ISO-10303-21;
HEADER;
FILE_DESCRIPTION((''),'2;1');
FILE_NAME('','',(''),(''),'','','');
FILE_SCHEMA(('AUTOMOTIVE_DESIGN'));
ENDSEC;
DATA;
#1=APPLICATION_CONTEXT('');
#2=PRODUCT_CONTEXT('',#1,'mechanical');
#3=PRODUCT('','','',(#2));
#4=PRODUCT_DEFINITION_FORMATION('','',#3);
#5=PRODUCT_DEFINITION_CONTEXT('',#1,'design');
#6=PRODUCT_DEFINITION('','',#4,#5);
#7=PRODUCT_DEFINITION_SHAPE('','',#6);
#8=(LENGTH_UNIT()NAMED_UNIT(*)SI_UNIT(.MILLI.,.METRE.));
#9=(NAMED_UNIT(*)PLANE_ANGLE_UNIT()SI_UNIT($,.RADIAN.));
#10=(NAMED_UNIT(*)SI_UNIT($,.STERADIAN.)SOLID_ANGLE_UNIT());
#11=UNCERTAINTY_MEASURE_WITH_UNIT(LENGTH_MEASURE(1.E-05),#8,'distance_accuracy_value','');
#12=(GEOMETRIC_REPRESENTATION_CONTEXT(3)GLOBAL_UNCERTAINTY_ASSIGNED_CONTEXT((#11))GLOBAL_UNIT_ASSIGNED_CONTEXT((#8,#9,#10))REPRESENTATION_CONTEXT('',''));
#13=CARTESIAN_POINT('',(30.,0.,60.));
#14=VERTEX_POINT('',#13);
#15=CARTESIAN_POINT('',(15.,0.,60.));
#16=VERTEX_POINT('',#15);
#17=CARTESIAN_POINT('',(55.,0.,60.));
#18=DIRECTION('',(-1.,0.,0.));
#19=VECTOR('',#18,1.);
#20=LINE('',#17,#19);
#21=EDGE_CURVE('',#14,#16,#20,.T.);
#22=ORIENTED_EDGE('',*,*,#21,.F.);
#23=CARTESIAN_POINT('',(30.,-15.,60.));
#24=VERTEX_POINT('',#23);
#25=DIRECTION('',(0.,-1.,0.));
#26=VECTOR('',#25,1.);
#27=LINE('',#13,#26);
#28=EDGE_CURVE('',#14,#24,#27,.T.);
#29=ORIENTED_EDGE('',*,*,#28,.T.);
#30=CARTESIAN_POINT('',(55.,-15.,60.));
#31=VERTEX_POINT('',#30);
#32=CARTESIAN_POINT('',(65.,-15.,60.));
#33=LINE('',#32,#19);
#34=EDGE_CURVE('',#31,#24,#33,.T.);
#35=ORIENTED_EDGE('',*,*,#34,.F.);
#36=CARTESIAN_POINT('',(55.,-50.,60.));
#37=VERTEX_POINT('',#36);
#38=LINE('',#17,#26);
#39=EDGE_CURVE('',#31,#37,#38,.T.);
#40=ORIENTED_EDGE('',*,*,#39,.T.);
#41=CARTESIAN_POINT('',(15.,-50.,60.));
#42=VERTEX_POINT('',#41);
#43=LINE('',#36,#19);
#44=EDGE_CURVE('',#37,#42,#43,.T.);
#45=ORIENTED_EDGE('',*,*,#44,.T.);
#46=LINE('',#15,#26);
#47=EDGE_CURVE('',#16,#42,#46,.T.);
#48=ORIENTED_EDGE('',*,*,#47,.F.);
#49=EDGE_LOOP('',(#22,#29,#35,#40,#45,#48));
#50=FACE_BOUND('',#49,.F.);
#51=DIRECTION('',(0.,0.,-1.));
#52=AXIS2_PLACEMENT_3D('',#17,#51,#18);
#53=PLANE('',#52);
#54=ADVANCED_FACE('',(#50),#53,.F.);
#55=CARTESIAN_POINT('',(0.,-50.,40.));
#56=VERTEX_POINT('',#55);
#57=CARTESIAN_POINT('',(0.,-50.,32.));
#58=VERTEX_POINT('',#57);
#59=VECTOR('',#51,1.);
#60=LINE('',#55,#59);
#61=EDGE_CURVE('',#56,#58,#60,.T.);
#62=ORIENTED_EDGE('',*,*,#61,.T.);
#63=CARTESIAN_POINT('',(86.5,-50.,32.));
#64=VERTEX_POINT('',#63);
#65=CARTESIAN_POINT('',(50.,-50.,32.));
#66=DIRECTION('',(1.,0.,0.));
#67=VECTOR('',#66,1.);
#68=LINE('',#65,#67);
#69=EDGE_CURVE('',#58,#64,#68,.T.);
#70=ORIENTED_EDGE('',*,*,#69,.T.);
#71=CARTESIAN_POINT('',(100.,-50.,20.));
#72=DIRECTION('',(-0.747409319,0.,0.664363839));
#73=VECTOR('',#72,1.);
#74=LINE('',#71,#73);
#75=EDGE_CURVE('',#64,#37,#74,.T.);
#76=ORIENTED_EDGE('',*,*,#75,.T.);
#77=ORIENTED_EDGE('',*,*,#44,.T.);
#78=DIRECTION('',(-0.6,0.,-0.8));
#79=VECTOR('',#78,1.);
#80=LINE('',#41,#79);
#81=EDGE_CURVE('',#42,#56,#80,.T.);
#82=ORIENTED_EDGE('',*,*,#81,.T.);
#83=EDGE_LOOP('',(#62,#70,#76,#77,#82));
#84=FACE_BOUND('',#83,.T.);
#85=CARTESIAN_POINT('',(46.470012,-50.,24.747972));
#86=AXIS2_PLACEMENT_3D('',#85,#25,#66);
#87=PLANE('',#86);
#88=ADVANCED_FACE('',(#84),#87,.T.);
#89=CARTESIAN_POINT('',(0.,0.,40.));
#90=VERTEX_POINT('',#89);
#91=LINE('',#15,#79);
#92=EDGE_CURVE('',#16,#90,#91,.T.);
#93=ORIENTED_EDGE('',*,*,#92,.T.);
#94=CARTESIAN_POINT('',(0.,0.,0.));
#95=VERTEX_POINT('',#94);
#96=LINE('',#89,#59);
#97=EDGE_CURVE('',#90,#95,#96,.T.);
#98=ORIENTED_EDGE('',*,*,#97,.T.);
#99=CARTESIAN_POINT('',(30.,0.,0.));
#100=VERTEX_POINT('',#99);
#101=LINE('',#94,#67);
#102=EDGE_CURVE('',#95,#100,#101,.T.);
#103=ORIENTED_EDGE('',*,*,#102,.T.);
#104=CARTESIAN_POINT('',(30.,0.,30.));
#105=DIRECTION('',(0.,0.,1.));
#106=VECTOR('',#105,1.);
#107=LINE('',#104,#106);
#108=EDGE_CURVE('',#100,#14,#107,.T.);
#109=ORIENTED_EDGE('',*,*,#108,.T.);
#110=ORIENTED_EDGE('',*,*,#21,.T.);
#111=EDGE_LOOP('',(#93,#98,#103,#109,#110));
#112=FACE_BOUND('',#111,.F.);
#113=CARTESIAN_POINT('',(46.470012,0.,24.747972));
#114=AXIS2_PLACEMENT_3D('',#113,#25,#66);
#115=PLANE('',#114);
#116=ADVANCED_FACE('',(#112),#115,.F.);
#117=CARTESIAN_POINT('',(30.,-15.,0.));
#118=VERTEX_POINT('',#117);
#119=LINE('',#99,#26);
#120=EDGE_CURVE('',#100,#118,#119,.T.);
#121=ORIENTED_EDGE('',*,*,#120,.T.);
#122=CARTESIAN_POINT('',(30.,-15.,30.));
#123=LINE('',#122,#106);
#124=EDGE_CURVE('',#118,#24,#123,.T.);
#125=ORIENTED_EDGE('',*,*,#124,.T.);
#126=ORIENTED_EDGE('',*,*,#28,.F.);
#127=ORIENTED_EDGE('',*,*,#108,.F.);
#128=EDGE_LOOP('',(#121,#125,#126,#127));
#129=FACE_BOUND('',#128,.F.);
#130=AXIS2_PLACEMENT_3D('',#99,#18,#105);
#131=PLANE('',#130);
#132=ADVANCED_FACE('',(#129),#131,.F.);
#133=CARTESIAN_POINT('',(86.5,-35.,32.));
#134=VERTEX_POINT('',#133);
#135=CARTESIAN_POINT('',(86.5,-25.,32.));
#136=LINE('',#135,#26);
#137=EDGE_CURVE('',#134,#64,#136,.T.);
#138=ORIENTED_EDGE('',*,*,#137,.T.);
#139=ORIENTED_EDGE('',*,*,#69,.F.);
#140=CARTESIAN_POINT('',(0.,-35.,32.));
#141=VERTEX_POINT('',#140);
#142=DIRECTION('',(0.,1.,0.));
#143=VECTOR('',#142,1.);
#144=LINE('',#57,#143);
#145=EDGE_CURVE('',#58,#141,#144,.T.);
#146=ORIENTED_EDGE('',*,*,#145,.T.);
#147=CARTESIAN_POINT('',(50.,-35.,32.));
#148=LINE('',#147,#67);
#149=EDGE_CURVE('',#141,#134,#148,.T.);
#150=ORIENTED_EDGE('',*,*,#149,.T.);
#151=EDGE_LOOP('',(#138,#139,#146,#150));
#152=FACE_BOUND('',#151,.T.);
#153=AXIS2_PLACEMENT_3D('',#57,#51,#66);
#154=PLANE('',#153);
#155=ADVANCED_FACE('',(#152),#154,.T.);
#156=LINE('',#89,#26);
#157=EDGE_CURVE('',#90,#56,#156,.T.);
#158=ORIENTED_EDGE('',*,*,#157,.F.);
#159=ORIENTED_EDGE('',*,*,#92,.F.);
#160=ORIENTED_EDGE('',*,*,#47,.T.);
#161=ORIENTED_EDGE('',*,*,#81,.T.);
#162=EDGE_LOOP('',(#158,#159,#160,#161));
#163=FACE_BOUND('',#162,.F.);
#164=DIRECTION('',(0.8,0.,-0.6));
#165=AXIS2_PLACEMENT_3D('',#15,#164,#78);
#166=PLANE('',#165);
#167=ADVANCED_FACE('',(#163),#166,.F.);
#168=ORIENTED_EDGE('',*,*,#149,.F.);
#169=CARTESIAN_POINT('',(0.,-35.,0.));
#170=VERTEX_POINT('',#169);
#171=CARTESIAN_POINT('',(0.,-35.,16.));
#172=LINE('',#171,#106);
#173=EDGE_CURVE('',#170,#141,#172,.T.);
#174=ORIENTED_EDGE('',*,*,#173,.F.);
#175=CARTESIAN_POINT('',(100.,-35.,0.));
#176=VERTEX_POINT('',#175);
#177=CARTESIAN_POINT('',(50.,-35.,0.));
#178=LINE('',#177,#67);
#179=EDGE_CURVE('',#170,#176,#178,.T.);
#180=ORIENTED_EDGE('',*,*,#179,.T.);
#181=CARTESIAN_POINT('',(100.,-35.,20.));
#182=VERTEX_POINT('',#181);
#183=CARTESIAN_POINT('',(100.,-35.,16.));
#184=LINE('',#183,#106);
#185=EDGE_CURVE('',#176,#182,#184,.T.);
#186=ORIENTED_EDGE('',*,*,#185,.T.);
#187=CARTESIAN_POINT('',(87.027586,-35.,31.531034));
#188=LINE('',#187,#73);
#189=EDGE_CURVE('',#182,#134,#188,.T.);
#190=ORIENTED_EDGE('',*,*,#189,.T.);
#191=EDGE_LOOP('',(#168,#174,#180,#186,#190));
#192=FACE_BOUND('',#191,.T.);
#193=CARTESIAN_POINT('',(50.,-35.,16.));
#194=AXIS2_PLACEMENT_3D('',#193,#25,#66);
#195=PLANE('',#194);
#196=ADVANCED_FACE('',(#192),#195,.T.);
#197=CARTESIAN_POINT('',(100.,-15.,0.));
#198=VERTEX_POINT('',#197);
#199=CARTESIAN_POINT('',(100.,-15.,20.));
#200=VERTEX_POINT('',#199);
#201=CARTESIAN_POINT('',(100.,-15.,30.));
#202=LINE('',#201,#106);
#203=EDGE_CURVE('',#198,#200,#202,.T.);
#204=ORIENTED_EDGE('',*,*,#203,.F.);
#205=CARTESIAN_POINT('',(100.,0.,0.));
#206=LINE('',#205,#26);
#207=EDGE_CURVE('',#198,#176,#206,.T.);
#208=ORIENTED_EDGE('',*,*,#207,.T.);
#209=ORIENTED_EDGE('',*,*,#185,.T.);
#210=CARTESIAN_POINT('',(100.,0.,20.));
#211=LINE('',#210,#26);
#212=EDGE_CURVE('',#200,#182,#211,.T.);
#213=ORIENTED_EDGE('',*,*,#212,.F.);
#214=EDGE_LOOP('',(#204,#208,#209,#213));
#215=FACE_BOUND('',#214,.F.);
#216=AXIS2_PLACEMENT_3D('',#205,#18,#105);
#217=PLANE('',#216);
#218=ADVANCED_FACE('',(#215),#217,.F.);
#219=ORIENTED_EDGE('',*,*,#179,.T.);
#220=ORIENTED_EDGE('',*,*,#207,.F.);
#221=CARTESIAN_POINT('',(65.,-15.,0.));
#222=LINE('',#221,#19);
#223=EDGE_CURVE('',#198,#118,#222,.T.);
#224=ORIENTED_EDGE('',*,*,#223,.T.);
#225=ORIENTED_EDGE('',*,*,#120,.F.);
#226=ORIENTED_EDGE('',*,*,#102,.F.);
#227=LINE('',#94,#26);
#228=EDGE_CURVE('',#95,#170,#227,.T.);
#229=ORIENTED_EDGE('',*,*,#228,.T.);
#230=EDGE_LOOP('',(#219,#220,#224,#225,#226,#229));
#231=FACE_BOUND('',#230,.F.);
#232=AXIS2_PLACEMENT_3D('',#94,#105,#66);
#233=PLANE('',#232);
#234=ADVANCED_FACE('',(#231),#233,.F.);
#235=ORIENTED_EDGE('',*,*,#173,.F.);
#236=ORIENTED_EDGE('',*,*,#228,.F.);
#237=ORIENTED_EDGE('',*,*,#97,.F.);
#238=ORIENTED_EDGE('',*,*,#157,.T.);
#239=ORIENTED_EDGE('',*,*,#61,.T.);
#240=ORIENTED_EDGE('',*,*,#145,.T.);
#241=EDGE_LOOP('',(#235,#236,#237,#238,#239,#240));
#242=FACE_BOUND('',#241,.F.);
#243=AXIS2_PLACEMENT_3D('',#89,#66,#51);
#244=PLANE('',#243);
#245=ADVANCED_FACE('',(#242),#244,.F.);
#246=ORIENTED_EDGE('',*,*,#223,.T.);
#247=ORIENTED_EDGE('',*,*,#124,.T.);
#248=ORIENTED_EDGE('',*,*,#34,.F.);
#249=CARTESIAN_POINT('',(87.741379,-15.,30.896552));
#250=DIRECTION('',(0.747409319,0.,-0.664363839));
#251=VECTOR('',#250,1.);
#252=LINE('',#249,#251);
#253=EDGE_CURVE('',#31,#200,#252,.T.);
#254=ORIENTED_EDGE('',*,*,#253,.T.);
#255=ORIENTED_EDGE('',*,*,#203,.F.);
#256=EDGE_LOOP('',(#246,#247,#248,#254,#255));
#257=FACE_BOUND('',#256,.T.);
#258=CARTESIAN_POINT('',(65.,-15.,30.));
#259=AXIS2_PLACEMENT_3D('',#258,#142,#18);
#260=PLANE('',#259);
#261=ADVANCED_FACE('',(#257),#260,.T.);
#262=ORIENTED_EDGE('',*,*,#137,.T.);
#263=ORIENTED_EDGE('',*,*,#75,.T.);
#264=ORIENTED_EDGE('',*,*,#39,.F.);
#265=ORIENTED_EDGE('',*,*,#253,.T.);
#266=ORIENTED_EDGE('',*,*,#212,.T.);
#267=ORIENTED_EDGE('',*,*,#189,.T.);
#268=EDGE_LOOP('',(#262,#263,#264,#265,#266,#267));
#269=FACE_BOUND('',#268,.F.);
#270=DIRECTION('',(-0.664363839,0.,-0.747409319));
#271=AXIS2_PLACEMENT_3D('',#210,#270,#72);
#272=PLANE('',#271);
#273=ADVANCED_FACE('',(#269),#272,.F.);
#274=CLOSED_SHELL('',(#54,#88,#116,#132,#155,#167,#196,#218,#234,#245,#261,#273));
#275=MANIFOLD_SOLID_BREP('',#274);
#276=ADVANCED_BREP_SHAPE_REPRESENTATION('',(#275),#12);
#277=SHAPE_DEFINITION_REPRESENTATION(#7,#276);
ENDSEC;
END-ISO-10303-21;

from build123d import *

# Parameters (mm, degrees)
F1_DEPTH = 50
F2_W     = 100
F2_H     = 32
F3_DEPTH = 15
F4_W     = 70
F4_H     = 60
F5_DEPTH = 15


with BuildPart() as f1:
    # F0 (on Front) → F1 (new body)
    with BuildSketch(Plane.XZ):
        Polygon((0, 40), (0, 0), (100, 0), (100, 20), (55, 60), (15, 60), align=None)
    extrude(amount=F1_DEPTH)

    # F2 (on face) → F3 (cut)
    with BuildSketch(Plane.XZ.offset(50)):
        with Locations((50, 16)):
            Rectangle(F2_W, F2_H)
    extrude(amount=-F3_DEPTH, mode=Mode.SUBTRACT)

    # F4 (on face) → F5 (cut)
    with BuildSketch(Plane(origin=(0, 0, 0), x_dir=(-1, 0, 0), z_dir=(0, 1, 0))):
        with Locations((-65, 30)):
            Rectangle(F4_W, F4_H)
    extrude(amount=-F5_DEPTH, mode=Mode.SUBTRACT)


solid = f1.part
